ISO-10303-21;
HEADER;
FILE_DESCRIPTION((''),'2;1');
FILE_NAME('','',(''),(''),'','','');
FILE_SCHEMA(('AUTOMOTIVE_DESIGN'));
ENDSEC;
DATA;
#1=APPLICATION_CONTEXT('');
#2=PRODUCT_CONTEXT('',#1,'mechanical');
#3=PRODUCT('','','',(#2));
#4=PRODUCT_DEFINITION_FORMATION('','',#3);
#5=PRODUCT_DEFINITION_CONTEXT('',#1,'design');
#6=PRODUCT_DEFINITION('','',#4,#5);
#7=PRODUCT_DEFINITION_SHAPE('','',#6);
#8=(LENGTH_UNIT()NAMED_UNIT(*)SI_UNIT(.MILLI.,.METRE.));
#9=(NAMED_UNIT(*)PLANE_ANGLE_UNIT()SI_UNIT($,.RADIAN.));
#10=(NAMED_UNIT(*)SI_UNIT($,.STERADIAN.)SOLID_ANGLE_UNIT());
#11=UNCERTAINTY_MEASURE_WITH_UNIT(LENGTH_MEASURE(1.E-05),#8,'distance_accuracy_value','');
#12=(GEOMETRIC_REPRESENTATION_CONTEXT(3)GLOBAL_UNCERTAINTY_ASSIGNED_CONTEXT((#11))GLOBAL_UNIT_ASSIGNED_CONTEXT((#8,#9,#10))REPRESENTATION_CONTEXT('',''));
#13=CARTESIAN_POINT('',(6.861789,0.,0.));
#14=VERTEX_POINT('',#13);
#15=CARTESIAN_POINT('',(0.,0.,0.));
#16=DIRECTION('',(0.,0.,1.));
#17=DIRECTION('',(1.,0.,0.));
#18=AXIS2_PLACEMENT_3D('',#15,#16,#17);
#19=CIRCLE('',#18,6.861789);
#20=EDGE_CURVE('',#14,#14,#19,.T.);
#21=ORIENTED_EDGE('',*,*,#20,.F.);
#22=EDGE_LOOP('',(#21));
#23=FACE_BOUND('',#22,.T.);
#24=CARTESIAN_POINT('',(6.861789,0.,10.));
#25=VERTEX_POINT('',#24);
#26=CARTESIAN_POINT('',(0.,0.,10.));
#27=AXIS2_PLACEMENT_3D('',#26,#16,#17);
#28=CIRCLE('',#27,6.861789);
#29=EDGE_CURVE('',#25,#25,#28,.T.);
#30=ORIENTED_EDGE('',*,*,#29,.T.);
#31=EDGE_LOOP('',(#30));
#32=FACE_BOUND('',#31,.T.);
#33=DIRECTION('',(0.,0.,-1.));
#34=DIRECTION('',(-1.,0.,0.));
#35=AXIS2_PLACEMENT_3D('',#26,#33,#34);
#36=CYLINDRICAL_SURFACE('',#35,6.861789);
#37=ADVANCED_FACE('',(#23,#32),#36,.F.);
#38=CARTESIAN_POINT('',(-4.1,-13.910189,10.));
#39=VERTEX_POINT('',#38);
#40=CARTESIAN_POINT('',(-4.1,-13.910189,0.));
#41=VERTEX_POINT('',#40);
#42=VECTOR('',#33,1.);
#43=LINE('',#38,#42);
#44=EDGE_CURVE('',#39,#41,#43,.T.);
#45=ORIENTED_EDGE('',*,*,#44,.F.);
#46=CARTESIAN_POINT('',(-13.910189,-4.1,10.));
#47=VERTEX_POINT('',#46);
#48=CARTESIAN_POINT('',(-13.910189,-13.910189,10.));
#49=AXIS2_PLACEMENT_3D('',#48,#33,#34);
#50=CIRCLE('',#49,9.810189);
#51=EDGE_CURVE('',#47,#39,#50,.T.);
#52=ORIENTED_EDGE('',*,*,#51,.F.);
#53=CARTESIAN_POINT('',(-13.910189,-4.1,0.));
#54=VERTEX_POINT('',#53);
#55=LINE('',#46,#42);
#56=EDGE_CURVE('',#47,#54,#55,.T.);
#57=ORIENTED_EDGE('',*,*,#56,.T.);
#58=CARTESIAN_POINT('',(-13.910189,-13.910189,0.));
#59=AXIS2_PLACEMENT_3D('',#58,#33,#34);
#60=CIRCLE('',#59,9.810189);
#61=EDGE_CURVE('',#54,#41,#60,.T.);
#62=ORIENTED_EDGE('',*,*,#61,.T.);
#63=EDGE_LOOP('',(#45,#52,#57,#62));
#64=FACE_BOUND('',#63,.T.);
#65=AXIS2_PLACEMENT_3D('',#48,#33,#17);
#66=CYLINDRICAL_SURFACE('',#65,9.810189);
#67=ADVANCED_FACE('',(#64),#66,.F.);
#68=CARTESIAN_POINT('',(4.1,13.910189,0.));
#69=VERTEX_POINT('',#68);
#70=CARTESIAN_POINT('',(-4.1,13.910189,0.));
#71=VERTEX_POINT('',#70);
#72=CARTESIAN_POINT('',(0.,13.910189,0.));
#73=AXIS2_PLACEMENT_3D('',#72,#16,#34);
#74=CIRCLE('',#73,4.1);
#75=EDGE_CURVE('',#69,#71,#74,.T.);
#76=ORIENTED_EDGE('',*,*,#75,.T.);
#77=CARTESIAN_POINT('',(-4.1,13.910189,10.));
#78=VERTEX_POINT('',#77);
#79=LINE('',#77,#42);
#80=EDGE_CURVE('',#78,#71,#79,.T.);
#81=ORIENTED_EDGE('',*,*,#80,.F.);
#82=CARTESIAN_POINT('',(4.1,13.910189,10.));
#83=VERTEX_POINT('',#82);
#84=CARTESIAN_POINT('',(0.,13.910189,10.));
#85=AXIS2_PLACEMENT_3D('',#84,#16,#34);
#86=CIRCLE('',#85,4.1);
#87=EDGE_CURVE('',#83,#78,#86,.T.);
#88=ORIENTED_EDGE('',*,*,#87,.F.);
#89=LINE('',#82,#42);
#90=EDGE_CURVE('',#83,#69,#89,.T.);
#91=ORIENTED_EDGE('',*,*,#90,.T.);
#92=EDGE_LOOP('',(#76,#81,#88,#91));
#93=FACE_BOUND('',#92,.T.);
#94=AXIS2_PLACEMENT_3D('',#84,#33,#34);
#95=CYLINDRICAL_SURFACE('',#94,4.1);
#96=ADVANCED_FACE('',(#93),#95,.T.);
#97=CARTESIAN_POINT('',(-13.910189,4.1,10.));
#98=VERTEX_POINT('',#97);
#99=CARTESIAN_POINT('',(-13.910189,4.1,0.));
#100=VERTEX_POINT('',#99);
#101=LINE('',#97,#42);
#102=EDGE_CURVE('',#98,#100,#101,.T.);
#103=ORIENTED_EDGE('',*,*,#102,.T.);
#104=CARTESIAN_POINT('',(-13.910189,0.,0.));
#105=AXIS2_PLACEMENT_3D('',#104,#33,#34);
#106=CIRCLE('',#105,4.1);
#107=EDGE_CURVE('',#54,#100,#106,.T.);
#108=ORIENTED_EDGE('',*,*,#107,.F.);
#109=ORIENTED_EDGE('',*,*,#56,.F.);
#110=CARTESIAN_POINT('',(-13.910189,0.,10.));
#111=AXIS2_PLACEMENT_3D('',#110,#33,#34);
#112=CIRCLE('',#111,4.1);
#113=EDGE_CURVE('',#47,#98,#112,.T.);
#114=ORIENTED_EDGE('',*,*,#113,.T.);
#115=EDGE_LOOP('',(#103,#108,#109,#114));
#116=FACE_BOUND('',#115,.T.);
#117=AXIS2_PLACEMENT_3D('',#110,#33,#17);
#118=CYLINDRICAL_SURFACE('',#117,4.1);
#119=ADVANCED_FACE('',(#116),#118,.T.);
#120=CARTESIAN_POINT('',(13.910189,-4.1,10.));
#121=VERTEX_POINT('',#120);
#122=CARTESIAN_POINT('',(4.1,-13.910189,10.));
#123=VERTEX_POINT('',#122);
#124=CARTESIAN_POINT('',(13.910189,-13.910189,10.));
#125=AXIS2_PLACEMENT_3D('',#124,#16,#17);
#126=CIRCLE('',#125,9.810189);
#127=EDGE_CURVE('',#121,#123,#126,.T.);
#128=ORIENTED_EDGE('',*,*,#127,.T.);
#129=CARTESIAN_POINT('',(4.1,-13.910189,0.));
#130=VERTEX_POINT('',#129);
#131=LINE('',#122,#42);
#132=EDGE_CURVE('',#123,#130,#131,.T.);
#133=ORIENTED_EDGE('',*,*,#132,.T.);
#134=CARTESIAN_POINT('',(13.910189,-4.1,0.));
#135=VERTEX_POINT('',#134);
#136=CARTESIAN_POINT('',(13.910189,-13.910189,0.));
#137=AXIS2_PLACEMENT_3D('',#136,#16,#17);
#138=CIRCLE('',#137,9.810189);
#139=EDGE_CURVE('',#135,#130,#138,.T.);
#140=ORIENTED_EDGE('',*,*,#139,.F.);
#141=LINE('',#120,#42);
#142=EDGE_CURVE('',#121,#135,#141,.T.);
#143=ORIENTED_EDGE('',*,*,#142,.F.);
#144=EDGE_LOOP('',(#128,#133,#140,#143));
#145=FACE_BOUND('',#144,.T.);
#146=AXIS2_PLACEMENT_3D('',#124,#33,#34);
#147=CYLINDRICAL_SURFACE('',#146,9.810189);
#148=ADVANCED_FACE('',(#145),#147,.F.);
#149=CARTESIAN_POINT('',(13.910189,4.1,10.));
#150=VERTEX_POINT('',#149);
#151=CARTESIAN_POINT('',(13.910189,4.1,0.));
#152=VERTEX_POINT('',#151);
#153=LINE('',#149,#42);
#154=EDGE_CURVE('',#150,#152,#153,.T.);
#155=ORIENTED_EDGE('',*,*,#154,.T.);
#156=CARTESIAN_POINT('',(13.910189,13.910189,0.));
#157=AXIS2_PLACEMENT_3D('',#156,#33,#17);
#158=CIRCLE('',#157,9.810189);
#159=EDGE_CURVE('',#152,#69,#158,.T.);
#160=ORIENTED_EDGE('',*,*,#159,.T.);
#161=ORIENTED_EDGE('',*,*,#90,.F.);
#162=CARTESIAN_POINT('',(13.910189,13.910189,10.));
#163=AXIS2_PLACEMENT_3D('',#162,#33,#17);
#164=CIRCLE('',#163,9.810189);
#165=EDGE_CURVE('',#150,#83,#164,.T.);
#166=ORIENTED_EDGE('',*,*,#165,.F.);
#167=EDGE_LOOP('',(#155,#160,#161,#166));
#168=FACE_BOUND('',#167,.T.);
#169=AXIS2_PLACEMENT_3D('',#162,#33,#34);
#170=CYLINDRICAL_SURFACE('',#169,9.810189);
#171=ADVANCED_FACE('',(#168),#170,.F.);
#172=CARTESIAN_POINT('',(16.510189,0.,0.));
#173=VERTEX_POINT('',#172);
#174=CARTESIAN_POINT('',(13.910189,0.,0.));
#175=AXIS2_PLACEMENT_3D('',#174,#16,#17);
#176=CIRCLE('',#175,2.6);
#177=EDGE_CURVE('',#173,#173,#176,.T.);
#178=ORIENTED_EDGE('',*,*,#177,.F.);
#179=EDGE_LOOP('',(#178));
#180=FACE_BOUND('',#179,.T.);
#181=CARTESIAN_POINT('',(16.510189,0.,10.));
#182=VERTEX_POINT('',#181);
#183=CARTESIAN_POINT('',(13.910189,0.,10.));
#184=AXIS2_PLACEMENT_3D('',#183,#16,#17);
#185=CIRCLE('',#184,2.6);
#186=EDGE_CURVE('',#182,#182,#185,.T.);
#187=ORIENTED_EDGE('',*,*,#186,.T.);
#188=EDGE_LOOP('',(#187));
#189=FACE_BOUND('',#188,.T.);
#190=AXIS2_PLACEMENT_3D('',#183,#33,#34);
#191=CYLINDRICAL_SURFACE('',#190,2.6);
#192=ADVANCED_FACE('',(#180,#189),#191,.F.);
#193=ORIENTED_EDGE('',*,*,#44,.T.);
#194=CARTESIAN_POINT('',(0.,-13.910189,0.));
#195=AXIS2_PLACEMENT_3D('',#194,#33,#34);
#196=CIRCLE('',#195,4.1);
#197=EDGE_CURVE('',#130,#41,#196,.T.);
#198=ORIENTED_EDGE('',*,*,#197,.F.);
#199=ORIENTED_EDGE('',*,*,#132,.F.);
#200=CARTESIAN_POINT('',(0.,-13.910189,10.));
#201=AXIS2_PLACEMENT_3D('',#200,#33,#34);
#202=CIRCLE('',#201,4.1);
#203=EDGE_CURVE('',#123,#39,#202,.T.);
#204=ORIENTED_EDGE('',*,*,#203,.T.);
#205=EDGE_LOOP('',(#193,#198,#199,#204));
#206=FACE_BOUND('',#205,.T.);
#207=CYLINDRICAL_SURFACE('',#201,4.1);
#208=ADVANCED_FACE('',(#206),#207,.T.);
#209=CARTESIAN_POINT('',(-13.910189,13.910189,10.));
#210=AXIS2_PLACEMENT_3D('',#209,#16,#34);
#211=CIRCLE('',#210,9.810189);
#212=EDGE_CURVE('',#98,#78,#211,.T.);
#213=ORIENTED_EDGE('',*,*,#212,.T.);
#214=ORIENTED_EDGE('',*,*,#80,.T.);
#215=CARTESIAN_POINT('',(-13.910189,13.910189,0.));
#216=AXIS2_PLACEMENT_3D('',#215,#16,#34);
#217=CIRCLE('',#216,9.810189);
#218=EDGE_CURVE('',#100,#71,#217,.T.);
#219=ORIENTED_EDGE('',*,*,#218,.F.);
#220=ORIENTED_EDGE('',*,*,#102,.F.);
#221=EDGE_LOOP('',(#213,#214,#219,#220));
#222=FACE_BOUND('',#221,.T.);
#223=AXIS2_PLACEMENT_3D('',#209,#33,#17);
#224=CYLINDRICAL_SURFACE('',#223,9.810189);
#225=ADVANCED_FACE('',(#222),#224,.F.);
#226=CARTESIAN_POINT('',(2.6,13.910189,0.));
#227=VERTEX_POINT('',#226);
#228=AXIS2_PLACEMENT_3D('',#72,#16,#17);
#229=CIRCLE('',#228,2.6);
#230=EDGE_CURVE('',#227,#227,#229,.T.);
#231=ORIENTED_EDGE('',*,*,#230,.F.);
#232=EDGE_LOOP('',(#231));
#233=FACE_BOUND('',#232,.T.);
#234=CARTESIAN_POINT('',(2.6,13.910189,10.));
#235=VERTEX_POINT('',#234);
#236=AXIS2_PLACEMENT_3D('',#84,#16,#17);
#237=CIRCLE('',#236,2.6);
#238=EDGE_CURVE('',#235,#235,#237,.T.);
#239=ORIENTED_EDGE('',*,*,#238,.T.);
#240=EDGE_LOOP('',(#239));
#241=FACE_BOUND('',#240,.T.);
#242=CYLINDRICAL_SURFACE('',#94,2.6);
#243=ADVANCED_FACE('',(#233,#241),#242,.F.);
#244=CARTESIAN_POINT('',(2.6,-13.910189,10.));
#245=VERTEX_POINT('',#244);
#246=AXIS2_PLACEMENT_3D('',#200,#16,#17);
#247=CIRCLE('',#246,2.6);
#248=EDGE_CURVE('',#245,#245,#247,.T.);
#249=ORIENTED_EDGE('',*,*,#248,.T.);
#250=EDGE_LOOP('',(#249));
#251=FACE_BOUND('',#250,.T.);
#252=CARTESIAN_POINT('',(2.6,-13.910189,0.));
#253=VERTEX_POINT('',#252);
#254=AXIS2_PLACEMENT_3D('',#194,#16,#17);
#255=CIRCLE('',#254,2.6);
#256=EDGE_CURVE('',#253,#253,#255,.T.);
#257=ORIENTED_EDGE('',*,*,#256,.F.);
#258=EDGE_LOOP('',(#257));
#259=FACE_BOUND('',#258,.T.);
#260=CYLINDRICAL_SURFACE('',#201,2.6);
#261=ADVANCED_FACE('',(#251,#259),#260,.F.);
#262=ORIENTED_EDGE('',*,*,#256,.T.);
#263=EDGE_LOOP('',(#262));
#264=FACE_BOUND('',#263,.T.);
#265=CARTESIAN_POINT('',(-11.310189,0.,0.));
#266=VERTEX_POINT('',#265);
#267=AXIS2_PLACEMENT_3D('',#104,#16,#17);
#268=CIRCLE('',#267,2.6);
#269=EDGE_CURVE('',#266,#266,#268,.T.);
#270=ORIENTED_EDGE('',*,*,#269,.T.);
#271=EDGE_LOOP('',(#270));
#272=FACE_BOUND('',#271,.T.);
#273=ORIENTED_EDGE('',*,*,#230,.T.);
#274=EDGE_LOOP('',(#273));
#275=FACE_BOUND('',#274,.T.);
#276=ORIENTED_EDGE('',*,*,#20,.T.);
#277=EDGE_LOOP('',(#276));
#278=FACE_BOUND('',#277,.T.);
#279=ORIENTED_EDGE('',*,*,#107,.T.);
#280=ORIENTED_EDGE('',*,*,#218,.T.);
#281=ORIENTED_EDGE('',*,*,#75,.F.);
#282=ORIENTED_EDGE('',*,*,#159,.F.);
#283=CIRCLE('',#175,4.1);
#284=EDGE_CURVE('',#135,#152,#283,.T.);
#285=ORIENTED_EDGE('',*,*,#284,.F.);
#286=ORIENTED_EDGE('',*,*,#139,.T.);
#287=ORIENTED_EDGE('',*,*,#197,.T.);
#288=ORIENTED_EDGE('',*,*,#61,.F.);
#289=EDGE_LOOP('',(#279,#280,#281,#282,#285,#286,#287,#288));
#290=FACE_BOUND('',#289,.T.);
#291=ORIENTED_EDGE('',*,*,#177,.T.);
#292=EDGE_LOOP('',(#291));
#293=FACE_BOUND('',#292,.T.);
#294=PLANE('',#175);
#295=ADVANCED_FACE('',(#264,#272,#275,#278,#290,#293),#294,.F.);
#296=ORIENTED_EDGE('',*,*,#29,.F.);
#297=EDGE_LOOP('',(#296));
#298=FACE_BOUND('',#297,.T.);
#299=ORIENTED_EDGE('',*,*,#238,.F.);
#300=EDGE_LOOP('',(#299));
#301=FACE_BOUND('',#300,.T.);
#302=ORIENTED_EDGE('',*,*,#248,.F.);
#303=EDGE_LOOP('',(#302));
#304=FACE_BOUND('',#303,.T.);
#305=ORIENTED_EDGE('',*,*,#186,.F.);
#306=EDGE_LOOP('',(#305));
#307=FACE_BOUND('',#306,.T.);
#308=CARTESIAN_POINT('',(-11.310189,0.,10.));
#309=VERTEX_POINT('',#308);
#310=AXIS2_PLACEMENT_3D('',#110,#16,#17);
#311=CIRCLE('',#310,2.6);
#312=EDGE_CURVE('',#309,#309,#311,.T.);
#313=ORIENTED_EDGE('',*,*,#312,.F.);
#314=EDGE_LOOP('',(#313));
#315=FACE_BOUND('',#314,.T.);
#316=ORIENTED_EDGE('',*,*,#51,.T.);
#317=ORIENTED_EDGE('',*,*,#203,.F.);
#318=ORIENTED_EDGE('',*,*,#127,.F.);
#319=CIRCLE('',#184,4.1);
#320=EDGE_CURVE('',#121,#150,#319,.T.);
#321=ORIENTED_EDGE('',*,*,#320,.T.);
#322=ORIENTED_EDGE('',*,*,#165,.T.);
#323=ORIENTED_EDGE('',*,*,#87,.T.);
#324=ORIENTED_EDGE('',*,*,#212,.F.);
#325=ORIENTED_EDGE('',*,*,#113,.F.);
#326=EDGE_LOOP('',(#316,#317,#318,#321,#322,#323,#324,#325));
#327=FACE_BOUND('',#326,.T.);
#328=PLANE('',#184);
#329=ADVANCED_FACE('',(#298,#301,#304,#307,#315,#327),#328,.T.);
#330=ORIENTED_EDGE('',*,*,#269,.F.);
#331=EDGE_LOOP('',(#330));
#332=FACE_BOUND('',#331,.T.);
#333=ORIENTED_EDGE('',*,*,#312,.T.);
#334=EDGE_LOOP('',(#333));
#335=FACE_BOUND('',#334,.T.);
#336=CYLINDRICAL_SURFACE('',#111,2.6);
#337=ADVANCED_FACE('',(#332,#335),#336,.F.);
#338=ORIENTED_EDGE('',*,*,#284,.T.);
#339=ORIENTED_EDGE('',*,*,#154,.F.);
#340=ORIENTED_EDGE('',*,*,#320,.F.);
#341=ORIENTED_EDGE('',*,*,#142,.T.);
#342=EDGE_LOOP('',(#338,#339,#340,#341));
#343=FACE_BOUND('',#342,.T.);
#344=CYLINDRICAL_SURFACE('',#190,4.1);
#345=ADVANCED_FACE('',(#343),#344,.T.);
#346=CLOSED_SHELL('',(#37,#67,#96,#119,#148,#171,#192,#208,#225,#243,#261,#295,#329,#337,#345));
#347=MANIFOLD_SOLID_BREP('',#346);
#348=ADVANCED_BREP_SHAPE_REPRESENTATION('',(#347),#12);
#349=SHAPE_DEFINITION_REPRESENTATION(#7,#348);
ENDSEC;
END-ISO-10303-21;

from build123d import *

# Parameters (mm, degrees)
AUFSATZ_LINEAR_AUSTRAGEN1_DEPTH = 10
SKIZZE2_R                       = 2.6
SCHNITT_LINEAR_AUSTRAGEN2_DEPTH = 10
SKIZZE3_R                       = 6.861789019
SCHNITT_LINEAR_AUSTRAGEN4_DEPTH = 10


with BuildPart() as part:
    # Skizze1 → Aufsatz-Linear austragen1 (new body)
    with BuildSketch(Plane.XY):
        with BuildLine():
            Line((0, 18.010189193), (0, 0))
            Line((0, 0), (18.010189193, 0))
            ThreePointArc((18.010189193, 0), (16.809326996, 2.899137803), (13.910189193, 4.1))
            ThreePointArc((13.910189193, 4.1), (6.97333789, 6.97333789), (4.1, 13.910189193))
            ThreePointArc((4.1, 13.910189193), (2.899137803, 16.809326996), (0, 18.010189193))
        make_face()
    extrude(amount=AUFSATZ_LINEAR_AUSTRAGEN1_DEPTH)

    # Spiegeln1: part across plane


with BuildPart() as part_1:
    add(part.part)
    add(part.part.mirror(Plane.ZX))

    # Spiegeln2: part across plane


with BuildPart() as part_2:
    add(part_1.part)
    add(part_1.part.mirror(Plane(origin=(0, 0, 0), x_dir=(0, 0, 1), z_dir=(1, 0, 0))))

    # Skizze2 → Schnitt-Linear austragen2 (cut)
    with BuildSketch(Plane.XY):
        with Locations((0, 13.910189193)):
            Circle(SKIZZE2_R)
        with Locations((13.910189193, 0)):
            Circle(SKIZZE2_R)
        with Locations((0, -13.910189193)):
            Circle(SKIZZE2_R)
        with Locations((-13.910189193, 0)):
            Circle(SKIZZE2_R)
    extrude(amount=SCHNITT_LINEAR_AUSTRAGEN2_DEPTH, mode=Mode.SUBTRACT)

    # Skizze3 → Schnitt-Linear austragen4 (cut)
    with BuildSketch(Plane.XY):
        Circle(SKIZZE3_R)
    extrude(amount=SCHNITT_LINEAR_AUSTRAGEN4_DEPTH, mode=Mode.SUBTRACT)


solid = part_2.part
